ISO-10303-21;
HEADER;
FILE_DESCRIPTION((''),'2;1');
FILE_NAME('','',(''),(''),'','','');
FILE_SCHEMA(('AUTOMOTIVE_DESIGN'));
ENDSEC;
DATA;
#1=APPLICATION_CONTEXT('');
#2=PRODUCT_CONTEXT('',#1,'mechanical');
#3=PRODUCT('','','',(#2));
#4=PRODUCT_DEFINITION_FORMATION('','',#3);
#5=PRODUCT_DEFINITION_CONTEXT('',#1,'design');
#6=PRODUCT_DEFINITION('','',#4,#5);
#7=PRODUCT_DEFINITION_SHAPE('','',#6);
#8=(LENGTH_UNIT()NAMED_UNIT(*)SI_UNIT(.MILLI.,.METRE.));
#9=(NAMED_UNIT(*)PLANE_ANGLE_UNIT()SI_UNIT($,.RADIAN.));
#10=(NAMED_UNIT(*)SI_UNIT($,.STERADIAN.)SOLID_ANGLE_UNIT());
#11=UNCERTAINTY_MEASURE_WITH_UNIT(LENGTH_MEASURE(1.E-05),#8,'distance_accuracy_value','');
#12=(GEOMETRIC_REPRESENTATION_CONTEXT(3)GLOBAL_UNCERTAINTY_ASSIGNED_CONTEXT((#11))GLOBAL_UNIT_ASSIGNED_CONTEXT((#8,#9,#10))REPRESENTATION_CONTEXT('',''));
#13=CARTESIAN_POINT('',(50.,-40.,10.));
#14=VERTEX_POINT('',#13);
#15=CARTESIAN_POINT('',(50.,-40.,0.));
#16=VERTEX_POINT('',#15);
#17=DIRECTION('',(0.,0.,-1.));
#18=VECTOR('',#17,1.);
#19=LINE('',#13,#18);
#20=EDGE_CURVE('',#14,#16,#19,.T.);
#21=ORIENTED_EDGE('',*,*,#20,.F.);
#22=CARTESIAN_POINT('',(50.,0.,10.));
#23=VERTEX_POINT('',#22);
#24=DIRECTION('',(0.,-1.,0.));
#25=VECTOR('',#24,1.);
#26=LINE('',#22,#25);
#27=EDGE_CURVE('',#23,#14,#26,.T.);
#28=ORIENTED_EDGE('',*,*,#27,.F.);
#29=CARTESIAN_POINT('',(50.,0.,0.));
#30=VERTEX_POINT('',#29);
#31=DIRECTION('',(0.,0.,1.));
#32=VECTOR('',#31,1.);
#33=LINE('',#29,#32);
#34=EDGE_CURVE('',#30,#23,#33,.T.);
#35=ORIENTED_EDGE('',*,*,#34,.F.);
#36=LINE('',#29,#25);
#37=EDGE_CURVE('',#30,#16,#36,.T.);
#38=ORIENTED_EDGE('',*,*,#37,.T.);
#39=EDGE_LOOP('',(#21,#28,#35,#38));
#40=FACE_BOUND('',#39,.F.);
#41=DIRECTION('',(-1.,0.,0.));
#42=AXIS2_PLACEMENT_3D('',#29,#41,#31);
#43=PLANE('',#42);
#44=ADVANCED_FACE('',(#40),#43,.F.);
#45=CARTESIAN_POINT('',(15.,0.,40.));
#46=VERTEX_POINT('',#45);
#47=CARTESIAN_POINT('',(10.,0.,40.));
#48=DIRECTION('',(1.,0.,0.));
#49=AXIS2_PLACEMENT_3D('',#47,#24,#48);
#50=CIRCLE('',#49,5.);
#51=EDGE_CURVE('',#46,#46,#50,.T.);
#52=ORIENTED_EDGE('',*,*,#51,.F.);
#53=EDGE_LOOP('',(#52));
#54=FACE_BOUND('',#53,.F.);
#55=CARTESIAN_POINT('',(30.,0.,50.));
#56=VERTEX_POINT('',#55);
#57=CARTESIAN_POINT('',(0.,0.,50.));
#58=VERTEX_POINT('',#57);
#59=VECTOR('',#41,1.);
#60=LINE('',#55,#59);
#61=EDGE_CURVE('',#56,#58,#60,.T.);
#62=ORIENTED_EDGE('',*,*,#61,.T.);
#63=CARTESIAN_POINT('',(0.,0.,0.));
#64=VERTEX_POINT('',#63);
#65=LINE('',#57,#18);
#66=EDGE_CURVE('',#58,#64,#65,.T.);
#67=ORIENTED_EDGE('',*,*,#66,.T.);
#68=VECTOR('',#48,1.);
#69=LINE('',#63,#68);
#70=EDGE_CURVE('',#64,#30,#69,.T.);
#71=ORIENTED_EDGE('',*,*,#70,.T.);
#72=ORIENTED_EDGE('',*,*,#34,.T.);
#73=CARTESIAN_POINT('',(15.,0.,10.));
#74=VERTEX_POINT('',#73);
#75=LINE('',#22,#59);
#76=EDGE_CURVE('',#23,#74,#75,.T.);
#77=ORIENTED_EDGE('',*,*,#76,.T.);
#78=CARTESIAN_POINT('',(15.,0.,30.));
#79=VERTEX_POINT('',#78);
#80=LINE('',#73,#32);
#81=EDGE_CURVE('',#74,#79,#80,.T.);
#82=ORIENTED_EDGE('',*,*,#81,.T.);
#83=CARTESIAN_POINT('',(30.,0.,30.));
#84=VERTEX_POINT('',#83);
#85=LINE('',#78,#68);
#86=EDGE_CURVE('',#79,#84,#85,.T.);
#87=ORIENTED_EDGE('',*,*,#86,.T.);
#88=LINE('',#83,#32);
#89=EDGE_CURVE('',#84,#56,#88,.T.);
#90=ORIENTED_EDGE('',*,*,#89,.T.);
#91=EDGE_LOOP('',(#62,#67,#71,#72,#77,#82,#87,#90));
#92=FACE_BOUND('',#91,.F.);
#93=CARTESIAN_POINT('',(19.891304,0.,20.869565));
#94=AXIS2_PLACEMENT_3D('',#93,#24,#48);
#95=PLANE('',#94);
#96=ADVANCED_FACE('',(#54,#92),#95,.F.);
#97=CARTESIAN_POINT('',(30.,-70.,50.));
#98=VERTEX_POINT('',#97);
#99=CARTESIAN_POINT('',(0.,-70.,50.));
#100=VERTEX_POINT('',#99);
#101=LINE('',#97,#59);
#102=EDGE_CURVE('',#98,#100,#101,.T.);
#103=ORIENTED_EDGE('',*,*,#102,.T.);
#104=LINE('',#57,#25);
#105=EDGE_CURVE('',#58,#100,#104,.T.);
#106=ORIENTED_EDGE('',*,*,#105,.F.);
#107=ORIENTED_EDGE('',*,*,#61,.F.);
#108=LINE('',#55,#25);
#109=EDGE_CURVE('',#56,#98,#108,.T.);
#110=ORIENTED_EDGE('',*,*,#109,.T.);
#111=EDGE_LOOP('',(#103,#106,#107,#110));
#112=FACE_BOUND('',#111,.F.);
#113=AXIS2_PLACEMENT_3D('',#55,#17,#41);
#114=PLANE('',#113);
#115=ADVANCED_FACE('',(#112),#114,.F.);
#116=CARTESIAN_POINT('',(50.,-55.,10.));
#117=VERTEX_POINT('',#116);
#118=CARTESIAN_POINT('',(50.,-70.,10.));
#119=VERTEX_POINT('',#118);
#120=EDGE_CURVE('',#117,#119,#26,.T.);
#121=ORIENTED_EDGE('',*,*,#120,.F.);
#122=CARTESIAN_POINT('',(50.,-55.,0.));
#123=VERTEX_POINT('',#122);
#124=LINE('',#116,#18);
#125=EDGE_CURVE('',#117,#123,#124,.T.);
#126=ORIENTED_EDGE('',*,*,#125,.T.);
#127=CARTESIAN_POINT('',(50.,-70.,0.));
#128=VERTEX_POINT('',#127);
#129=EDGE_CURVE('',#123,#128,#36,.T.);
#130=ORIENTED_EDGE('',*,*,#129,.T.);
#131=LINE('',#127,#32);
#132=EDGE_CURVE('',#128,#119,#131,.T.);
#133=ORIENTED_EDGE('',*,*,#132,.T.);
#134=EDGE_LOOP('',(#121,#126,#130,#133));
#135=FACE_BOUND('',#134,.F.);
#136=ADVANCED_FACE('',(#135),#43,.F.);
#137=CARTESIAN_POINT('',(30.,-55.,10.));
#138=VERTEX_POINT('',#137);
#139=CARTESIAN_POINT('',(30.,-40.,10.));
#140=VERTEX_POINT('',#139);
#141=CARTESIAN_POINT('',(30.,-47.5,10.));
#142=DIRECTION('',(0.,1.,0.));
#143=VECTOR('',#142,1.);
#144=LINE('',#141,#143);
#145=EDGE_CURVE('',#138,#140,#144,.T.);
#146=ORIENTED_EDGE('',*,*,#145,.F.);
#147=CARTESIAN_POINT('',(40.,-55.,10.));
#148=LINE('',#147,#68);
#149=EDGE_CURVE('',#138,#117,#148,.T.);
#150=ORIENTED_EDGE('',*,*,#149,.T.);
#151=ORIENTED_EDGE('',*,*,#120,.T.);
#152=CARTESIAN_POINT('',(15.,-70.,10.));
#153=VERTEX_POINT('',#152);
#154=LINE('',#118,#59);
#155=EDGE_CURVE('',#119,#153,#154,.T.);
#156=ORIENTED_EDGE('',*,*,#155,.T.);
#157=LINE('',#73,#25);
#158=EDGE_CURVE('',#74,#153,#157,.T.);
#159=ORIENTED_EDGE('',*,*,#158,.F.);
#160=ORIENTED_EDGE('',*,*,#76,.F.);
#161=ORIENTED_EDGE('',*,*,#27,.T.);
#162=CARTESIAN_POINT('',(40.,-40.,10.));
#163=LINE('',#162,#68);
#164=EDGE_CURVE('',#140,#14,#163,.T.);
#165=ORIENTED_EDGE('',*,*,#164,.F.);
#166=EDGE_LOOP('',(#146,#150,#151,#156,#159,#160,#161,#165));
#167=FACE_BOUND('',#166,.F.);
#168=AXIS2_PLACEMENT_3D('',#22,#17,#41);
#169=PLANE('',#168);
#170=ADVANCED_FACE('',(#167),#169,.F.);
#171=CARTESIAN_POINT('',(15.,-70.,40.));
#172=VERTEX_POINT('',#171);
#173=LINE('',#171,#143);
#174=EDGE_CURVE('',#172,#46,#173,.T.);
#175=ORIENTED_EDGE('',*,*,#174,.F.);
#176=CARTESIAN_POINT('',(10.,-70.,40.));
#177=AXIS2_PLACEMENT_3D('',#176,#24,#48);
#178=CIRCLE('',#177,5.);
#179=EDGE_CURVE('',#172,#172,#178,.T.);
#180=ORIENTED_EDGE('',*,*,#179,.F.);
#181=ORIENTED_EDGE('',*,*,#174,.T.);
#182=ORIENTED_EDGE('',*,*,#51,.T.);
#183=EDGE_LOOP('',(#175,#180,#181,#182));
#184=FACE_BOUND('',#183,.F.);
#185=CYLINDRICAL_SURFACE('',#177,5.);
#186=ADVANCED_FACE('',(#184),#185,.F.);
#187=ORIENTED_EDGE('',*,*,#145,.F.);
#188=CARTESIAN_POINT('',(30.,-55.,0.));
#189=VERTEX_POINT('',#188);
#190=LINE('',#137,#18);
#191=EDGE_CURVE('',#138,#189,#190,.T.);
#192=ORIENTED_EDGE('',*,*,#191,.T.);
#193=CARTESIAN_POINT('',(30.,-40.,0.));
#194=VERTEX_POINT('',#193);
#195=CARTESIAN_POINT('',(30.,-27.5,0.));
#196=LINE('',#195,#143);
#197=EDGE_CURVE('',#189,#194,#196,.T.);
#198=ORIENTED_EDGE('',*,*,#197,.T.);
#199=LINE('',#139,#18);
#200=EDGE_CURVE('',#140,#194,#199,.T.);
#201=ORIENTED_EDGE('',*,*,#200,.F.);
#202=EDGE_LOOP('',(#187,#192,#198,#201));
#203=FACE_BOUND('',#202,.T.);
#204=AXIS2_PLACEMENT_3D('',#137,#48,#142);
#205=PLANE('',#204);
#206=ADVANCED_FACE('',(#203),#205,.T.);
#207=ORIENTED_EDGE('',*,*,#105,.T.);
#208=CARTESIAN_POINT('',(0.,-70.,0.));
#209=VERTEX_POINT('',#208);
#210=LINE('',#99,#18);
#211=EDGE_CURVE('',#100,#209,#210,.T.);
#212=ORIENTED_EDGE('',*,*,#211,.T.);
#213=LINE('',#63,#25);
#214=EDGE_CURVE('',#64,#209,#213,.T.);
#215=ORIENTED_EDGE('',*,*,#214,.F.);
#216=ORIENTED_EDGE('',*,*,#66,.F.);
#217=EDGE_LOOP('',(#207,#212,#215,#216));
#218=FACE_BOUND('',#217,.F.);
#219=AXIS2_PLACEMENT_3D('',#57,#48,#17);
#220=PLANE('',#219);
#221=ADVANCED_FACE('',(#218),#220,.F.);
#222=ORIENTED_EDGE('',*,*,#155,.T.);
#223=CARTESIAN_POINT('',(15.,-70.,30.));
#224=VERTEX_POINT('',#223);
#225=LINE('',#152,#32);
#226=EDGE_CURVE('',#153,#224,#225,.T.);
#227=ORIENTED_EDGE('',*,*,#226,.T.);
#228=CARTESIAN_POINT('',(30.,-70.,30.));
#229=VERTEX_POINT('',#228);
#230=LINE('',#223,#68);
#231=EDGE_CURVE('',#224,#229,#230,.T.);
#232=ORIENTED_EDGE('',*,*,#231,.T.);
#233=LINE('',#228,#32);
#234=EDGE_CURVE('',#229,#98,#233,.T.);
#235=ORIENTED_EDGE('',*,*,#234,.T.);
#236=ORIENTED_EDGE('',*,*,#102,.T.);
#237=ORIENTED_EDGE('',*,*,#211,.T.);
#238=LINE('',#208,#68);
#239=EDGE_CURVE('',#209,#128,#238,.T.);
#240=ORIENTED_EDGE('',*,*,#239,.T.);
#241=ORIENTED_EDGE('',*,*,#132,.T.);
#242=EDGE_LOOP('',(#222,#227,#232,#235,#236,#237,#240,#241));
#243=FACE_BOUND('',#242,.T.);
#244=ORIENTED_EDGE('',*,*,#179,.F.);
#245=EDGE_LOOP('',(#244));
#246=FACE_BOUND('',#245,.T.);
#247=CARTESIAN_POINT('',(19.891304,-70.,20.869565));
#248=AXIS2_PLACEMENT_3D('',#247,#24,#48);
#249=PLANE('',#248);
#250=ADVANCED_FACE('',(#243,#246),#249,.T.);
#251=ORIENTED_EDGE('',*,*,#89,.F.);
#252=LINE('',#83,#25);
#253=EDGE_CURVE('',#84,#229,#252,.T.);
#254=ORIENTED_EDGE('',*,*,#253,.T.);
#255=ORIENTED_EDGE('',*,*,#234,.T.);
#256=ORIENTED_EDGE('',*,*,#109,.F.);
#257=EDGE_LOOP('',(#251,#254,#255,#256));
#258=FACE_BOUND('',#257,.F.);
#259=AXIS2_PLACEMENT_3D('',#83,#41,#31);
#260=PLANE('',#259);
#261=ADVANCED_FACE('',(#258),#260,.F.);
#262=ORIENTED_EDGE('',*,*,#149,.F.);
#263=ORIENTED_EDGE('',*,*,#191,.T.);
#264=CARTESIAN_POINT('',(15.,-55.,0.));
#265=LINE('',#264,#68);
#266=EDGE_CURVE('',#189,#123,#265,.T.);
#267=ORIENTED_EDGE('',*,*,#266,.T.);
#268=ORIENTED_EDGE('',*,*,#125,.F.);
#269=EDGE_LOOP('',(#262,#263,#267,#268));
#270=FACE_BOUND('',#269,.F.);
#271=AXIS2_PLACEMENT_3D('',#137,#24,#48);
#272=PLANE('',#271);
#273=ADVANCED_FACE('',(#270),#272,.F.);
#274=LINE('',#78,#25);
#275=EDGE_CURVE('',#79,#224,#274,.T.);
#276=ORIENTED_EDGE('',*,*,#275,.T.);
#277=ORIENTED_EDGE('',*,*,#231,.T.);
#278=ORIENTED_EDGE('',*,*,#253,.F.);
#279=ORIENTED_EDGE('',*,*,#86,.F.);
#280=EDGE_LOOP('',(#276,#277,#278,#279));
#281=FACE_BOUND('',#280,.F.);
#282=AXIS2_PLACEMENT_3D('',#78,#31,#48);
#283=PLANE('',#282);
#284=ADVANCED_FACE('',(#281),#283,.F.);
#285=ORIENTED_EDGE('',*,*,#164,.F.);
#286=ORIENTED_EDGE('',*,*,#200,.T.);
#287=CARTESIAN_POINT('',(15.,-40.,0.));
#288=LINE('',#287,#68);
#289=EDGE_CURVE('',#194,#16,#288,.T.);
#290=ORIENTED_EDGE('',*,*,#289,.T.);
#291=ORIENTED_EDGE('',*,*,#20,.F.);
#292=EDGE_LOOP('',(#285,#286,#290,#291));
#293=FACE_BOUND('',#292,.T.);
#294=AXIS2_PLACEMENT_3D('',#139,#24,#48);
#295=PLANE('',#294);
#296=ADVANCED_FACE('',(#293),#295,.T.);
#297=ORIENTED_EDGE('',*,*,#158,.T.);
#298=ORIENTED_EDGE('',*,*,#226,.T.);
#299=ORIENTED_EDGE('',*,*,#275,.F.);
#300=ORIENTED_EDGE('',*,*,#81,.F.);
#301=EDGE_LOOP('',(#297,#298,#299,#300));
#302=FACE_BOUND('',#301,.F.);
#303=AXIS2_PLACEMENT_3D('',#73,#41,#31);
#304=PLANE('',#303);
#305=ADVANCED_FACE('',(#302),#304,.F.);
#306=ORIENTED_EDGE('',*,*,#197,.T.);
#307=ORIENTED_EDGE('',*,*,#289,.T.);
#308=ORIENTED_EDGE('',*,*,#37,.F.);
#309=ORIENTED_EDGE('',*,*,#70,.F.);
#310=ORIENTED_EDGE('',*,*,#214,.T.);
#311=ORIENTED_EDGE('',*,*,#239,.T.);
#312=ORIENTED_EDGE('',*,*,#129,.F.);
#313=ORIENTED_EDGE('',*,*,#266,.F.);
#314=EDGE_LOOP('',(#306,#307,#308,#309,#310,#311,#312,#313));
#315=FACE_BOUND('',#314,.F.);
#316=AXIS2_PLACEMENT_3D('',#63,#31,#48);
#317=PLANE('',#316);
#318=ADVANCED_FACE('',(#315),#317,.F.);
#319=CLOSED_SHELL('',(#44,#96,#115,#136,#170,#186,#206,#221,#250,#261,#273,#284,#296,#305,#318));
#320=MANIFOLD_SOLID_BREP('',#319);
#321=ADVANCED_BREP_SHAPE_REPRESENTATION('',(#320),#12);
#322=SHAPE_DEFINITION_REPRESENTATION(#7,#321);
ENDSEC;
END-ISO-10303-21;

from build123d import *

# Parameters (mm, degrees)
F1_DEPTH = 70
F2_W     = 20
F2_H     = 15
F3_DEPTH = 25
F4_R     = 5
F5_DEPTH = 70.001


with BuildPart() as f1:
    # F0 (on Front) → F1 (new body)
    with BuildSketch(Plane.XZ):
        Polygon((0, 50), (0, 0), (50, 0), (50, 10), (15, 10), (15, 30), (30, 30), (30, 50), align=None)
    extrude(amount=F1_DEPTH)

    # F2 (on face) → F3 (cut)
    with BuildSketch(Plane.XY.offset(10)):
        with Locations((40, -47.5)):
            Rectangle(F2_W, F2_H)
    extrude(amount=-F3_DEPTH, mode=Mode.SUBTRACT)

    # F4 (on face) → F5 (cut, through all)
    with BuildSketch(Plane.XZ.offset(70)):
        with Locations((10, 40)):
            Circle(F4_R)
    extrude(amount=-F5_DEPTH, mode=Mode.SUBTRACT)


solid = f1.part
